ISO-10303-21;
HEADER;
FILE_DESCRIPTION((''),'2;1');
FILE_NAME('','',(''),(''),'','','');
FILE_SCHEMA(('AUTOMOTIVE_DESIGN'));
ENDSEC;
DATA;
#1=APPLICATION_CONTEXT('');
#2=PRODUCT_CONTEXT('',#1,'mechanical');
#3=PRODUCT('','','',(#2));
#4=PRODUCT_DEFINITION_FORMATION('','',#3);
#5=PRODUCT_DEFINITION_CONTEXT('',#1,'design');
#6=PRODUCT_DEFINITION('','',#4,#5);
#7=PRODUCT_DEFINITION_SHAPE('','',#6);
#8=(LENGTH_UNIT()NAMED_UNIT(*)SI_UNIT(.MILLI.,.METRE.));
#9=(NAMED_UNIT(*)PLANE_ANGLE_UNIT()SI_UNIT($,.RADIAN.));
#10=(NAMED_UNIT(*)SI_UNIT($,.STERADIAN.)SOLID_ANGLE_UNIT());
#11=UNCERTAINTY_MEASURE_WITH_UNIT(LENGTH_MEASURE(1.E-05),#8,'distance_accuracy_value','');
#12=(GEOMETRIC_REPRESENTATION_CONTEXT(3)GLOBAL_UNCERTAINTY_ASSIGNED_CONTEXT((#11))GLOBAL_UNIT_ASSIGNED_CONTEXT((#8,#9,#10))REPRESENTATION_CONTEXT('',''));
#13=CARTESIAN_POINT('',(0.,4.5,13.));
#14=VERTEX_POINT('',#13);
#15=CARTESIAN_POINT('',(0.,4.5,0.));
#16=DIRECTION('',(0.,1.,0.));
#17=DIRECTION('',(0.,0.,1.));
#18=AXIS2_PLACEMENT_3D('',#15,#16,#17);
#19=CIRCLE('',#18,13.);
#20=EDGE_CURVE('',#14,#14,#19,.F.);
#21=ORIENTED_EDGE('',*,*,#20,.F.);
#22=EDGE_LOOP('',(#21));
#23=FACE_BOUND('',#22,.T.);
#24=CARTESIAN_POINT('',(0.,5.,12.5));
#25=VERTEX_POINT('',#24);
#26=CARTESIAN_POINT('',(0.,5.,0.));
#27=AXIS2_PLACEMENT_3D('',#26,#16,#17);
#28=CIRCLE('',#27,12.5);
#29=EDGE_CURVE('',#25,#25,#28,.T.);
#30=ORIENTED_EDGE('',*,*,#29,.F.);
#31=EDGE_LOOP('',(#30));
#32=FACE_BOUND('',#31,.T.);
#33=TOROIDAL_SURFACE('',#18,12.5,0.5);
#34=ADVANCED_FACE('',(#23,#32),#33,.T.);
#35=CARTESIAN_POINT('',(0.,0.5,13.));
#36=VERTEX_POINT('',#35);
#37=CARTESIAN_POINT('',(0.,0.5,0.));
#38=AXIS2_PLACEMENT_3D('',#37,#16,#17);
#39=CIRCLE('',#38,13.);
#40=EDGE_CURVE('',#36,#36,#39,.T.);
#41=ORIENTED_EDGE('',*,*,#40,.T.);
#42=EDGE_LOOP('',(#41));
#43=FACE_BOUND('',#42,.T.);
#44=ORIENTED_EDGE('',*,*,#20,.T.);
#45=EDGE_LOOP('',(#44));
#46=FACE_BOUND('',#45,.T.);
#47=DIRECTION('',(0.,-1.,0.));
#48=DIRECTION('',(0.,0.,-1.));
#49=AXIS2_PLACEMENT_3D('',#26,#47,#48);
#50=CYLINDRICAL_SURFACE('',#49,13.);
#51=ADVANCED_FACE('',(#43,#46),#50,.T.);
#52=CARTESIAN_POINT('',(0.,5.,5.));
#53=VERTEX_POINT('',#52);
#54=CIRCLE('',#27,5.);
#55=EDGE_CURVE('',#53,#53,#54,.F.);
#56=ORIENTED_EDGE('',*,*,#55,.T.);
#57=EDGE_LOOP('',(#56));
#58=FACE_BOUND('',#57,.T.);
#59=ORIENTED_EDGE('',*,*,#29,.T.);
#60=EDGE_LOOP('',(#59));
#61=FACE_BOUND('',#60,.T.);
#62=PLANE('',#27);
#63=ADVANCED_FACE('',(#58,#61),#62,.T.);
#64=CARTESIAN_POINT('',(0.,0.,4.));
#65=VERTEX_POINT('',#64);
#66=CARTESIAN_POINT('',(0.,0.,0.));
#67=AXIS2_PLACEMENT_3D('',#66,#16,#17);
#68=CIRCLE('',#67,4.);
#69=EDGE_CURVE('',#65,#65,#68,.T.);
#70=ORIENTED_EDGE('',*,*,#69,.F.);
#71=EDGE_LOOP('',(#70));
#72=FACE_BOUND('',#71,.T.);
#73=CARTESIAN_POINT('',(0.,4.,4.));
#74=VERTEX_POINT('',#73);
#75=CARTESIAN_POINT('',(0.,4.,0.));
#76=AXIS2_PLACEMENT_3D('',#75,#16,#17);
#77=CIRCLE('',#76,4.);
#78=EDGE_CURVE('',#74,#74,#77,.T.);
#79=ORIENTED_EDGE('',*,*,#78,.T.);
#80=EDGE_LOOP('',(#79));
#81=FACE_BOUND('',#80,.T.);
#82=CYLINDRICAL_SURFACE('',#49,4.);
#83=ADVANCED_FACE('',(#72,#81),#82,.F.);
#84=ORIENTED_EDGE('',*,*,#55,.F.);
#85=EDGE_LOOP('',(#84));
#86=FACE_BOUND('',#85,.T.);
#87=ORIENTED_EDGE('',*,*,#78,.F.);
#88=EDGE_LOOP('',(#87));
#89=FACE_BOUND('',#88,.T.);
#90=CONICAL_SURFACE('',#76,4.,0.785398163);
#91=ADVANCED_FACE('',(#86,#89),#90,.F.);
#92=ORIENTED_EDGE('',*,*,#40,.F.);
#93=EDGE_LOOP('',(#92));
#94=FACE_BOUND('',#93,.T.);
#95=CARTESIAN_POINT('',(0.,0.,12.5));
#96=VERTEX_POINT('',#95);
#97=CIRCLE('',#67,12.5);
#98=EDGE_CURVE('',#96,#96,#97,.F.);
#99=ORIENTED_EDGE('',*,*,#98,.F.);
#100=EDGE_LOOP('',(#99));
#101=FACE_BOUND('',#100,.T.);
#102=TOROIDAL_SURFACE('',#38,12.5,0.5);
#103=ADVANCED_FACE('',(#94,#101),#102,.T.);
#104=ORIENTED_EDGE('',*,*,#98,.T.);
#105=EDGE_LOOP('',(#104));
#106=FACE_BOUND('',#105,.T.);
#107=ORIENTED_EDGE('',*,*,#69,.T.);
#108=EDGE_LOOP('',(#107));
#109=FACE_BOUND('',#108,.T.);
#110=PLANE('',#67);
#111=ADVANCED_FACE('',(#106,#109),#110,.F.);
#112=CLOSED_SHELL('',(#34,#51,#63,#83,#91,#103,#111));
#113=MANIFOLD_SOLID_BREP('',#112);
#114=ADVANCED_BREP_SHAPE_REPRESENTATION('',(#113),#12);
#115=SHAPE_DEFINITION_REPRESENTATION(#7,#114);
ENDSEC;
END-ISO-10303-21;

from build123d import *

# Parameters (mm, degrees)
SKETCH1_R           = 13
SKETCH1_R_2         = 4
BOSS_EXTRUDE1_DEPTH = 5
CHAMFER1_SIZE       = 1
FILLET1_R           = 0.5


with BuildPart() as part:
    # Sketch1 → Boss-Extrude1 (new body)
    with BuildSketch(Plane(origin=(0, 0, 0), x_dir=(1, 0, 0), z_dir=(0, 1, 0))):
        Circle(SKETCH1_R)
        Circle(SKETCH1_R_2, mode=Mode.SUBTRACT)
    extrude(amount=BOSS_EXTRUDE1_DEPTH)

    # Chamfer1
    chamfer1_edges = [part.edges().sort_by_distance(p)[0] for p in [
        (-4, 5, 0),
    ]]
    chamfer(chamfer1_edges, length=CHAMFER1_SIZE)

    # Fillet1
    fillet1_edges = [part.edges().sort_by_distance(p)[0] for p in [
        (-13, 0, 0),
        (-13, 5, 0),
    ]]
    fillet(fillet1_edges, radius=FILLET1_R)


solid = part.part
